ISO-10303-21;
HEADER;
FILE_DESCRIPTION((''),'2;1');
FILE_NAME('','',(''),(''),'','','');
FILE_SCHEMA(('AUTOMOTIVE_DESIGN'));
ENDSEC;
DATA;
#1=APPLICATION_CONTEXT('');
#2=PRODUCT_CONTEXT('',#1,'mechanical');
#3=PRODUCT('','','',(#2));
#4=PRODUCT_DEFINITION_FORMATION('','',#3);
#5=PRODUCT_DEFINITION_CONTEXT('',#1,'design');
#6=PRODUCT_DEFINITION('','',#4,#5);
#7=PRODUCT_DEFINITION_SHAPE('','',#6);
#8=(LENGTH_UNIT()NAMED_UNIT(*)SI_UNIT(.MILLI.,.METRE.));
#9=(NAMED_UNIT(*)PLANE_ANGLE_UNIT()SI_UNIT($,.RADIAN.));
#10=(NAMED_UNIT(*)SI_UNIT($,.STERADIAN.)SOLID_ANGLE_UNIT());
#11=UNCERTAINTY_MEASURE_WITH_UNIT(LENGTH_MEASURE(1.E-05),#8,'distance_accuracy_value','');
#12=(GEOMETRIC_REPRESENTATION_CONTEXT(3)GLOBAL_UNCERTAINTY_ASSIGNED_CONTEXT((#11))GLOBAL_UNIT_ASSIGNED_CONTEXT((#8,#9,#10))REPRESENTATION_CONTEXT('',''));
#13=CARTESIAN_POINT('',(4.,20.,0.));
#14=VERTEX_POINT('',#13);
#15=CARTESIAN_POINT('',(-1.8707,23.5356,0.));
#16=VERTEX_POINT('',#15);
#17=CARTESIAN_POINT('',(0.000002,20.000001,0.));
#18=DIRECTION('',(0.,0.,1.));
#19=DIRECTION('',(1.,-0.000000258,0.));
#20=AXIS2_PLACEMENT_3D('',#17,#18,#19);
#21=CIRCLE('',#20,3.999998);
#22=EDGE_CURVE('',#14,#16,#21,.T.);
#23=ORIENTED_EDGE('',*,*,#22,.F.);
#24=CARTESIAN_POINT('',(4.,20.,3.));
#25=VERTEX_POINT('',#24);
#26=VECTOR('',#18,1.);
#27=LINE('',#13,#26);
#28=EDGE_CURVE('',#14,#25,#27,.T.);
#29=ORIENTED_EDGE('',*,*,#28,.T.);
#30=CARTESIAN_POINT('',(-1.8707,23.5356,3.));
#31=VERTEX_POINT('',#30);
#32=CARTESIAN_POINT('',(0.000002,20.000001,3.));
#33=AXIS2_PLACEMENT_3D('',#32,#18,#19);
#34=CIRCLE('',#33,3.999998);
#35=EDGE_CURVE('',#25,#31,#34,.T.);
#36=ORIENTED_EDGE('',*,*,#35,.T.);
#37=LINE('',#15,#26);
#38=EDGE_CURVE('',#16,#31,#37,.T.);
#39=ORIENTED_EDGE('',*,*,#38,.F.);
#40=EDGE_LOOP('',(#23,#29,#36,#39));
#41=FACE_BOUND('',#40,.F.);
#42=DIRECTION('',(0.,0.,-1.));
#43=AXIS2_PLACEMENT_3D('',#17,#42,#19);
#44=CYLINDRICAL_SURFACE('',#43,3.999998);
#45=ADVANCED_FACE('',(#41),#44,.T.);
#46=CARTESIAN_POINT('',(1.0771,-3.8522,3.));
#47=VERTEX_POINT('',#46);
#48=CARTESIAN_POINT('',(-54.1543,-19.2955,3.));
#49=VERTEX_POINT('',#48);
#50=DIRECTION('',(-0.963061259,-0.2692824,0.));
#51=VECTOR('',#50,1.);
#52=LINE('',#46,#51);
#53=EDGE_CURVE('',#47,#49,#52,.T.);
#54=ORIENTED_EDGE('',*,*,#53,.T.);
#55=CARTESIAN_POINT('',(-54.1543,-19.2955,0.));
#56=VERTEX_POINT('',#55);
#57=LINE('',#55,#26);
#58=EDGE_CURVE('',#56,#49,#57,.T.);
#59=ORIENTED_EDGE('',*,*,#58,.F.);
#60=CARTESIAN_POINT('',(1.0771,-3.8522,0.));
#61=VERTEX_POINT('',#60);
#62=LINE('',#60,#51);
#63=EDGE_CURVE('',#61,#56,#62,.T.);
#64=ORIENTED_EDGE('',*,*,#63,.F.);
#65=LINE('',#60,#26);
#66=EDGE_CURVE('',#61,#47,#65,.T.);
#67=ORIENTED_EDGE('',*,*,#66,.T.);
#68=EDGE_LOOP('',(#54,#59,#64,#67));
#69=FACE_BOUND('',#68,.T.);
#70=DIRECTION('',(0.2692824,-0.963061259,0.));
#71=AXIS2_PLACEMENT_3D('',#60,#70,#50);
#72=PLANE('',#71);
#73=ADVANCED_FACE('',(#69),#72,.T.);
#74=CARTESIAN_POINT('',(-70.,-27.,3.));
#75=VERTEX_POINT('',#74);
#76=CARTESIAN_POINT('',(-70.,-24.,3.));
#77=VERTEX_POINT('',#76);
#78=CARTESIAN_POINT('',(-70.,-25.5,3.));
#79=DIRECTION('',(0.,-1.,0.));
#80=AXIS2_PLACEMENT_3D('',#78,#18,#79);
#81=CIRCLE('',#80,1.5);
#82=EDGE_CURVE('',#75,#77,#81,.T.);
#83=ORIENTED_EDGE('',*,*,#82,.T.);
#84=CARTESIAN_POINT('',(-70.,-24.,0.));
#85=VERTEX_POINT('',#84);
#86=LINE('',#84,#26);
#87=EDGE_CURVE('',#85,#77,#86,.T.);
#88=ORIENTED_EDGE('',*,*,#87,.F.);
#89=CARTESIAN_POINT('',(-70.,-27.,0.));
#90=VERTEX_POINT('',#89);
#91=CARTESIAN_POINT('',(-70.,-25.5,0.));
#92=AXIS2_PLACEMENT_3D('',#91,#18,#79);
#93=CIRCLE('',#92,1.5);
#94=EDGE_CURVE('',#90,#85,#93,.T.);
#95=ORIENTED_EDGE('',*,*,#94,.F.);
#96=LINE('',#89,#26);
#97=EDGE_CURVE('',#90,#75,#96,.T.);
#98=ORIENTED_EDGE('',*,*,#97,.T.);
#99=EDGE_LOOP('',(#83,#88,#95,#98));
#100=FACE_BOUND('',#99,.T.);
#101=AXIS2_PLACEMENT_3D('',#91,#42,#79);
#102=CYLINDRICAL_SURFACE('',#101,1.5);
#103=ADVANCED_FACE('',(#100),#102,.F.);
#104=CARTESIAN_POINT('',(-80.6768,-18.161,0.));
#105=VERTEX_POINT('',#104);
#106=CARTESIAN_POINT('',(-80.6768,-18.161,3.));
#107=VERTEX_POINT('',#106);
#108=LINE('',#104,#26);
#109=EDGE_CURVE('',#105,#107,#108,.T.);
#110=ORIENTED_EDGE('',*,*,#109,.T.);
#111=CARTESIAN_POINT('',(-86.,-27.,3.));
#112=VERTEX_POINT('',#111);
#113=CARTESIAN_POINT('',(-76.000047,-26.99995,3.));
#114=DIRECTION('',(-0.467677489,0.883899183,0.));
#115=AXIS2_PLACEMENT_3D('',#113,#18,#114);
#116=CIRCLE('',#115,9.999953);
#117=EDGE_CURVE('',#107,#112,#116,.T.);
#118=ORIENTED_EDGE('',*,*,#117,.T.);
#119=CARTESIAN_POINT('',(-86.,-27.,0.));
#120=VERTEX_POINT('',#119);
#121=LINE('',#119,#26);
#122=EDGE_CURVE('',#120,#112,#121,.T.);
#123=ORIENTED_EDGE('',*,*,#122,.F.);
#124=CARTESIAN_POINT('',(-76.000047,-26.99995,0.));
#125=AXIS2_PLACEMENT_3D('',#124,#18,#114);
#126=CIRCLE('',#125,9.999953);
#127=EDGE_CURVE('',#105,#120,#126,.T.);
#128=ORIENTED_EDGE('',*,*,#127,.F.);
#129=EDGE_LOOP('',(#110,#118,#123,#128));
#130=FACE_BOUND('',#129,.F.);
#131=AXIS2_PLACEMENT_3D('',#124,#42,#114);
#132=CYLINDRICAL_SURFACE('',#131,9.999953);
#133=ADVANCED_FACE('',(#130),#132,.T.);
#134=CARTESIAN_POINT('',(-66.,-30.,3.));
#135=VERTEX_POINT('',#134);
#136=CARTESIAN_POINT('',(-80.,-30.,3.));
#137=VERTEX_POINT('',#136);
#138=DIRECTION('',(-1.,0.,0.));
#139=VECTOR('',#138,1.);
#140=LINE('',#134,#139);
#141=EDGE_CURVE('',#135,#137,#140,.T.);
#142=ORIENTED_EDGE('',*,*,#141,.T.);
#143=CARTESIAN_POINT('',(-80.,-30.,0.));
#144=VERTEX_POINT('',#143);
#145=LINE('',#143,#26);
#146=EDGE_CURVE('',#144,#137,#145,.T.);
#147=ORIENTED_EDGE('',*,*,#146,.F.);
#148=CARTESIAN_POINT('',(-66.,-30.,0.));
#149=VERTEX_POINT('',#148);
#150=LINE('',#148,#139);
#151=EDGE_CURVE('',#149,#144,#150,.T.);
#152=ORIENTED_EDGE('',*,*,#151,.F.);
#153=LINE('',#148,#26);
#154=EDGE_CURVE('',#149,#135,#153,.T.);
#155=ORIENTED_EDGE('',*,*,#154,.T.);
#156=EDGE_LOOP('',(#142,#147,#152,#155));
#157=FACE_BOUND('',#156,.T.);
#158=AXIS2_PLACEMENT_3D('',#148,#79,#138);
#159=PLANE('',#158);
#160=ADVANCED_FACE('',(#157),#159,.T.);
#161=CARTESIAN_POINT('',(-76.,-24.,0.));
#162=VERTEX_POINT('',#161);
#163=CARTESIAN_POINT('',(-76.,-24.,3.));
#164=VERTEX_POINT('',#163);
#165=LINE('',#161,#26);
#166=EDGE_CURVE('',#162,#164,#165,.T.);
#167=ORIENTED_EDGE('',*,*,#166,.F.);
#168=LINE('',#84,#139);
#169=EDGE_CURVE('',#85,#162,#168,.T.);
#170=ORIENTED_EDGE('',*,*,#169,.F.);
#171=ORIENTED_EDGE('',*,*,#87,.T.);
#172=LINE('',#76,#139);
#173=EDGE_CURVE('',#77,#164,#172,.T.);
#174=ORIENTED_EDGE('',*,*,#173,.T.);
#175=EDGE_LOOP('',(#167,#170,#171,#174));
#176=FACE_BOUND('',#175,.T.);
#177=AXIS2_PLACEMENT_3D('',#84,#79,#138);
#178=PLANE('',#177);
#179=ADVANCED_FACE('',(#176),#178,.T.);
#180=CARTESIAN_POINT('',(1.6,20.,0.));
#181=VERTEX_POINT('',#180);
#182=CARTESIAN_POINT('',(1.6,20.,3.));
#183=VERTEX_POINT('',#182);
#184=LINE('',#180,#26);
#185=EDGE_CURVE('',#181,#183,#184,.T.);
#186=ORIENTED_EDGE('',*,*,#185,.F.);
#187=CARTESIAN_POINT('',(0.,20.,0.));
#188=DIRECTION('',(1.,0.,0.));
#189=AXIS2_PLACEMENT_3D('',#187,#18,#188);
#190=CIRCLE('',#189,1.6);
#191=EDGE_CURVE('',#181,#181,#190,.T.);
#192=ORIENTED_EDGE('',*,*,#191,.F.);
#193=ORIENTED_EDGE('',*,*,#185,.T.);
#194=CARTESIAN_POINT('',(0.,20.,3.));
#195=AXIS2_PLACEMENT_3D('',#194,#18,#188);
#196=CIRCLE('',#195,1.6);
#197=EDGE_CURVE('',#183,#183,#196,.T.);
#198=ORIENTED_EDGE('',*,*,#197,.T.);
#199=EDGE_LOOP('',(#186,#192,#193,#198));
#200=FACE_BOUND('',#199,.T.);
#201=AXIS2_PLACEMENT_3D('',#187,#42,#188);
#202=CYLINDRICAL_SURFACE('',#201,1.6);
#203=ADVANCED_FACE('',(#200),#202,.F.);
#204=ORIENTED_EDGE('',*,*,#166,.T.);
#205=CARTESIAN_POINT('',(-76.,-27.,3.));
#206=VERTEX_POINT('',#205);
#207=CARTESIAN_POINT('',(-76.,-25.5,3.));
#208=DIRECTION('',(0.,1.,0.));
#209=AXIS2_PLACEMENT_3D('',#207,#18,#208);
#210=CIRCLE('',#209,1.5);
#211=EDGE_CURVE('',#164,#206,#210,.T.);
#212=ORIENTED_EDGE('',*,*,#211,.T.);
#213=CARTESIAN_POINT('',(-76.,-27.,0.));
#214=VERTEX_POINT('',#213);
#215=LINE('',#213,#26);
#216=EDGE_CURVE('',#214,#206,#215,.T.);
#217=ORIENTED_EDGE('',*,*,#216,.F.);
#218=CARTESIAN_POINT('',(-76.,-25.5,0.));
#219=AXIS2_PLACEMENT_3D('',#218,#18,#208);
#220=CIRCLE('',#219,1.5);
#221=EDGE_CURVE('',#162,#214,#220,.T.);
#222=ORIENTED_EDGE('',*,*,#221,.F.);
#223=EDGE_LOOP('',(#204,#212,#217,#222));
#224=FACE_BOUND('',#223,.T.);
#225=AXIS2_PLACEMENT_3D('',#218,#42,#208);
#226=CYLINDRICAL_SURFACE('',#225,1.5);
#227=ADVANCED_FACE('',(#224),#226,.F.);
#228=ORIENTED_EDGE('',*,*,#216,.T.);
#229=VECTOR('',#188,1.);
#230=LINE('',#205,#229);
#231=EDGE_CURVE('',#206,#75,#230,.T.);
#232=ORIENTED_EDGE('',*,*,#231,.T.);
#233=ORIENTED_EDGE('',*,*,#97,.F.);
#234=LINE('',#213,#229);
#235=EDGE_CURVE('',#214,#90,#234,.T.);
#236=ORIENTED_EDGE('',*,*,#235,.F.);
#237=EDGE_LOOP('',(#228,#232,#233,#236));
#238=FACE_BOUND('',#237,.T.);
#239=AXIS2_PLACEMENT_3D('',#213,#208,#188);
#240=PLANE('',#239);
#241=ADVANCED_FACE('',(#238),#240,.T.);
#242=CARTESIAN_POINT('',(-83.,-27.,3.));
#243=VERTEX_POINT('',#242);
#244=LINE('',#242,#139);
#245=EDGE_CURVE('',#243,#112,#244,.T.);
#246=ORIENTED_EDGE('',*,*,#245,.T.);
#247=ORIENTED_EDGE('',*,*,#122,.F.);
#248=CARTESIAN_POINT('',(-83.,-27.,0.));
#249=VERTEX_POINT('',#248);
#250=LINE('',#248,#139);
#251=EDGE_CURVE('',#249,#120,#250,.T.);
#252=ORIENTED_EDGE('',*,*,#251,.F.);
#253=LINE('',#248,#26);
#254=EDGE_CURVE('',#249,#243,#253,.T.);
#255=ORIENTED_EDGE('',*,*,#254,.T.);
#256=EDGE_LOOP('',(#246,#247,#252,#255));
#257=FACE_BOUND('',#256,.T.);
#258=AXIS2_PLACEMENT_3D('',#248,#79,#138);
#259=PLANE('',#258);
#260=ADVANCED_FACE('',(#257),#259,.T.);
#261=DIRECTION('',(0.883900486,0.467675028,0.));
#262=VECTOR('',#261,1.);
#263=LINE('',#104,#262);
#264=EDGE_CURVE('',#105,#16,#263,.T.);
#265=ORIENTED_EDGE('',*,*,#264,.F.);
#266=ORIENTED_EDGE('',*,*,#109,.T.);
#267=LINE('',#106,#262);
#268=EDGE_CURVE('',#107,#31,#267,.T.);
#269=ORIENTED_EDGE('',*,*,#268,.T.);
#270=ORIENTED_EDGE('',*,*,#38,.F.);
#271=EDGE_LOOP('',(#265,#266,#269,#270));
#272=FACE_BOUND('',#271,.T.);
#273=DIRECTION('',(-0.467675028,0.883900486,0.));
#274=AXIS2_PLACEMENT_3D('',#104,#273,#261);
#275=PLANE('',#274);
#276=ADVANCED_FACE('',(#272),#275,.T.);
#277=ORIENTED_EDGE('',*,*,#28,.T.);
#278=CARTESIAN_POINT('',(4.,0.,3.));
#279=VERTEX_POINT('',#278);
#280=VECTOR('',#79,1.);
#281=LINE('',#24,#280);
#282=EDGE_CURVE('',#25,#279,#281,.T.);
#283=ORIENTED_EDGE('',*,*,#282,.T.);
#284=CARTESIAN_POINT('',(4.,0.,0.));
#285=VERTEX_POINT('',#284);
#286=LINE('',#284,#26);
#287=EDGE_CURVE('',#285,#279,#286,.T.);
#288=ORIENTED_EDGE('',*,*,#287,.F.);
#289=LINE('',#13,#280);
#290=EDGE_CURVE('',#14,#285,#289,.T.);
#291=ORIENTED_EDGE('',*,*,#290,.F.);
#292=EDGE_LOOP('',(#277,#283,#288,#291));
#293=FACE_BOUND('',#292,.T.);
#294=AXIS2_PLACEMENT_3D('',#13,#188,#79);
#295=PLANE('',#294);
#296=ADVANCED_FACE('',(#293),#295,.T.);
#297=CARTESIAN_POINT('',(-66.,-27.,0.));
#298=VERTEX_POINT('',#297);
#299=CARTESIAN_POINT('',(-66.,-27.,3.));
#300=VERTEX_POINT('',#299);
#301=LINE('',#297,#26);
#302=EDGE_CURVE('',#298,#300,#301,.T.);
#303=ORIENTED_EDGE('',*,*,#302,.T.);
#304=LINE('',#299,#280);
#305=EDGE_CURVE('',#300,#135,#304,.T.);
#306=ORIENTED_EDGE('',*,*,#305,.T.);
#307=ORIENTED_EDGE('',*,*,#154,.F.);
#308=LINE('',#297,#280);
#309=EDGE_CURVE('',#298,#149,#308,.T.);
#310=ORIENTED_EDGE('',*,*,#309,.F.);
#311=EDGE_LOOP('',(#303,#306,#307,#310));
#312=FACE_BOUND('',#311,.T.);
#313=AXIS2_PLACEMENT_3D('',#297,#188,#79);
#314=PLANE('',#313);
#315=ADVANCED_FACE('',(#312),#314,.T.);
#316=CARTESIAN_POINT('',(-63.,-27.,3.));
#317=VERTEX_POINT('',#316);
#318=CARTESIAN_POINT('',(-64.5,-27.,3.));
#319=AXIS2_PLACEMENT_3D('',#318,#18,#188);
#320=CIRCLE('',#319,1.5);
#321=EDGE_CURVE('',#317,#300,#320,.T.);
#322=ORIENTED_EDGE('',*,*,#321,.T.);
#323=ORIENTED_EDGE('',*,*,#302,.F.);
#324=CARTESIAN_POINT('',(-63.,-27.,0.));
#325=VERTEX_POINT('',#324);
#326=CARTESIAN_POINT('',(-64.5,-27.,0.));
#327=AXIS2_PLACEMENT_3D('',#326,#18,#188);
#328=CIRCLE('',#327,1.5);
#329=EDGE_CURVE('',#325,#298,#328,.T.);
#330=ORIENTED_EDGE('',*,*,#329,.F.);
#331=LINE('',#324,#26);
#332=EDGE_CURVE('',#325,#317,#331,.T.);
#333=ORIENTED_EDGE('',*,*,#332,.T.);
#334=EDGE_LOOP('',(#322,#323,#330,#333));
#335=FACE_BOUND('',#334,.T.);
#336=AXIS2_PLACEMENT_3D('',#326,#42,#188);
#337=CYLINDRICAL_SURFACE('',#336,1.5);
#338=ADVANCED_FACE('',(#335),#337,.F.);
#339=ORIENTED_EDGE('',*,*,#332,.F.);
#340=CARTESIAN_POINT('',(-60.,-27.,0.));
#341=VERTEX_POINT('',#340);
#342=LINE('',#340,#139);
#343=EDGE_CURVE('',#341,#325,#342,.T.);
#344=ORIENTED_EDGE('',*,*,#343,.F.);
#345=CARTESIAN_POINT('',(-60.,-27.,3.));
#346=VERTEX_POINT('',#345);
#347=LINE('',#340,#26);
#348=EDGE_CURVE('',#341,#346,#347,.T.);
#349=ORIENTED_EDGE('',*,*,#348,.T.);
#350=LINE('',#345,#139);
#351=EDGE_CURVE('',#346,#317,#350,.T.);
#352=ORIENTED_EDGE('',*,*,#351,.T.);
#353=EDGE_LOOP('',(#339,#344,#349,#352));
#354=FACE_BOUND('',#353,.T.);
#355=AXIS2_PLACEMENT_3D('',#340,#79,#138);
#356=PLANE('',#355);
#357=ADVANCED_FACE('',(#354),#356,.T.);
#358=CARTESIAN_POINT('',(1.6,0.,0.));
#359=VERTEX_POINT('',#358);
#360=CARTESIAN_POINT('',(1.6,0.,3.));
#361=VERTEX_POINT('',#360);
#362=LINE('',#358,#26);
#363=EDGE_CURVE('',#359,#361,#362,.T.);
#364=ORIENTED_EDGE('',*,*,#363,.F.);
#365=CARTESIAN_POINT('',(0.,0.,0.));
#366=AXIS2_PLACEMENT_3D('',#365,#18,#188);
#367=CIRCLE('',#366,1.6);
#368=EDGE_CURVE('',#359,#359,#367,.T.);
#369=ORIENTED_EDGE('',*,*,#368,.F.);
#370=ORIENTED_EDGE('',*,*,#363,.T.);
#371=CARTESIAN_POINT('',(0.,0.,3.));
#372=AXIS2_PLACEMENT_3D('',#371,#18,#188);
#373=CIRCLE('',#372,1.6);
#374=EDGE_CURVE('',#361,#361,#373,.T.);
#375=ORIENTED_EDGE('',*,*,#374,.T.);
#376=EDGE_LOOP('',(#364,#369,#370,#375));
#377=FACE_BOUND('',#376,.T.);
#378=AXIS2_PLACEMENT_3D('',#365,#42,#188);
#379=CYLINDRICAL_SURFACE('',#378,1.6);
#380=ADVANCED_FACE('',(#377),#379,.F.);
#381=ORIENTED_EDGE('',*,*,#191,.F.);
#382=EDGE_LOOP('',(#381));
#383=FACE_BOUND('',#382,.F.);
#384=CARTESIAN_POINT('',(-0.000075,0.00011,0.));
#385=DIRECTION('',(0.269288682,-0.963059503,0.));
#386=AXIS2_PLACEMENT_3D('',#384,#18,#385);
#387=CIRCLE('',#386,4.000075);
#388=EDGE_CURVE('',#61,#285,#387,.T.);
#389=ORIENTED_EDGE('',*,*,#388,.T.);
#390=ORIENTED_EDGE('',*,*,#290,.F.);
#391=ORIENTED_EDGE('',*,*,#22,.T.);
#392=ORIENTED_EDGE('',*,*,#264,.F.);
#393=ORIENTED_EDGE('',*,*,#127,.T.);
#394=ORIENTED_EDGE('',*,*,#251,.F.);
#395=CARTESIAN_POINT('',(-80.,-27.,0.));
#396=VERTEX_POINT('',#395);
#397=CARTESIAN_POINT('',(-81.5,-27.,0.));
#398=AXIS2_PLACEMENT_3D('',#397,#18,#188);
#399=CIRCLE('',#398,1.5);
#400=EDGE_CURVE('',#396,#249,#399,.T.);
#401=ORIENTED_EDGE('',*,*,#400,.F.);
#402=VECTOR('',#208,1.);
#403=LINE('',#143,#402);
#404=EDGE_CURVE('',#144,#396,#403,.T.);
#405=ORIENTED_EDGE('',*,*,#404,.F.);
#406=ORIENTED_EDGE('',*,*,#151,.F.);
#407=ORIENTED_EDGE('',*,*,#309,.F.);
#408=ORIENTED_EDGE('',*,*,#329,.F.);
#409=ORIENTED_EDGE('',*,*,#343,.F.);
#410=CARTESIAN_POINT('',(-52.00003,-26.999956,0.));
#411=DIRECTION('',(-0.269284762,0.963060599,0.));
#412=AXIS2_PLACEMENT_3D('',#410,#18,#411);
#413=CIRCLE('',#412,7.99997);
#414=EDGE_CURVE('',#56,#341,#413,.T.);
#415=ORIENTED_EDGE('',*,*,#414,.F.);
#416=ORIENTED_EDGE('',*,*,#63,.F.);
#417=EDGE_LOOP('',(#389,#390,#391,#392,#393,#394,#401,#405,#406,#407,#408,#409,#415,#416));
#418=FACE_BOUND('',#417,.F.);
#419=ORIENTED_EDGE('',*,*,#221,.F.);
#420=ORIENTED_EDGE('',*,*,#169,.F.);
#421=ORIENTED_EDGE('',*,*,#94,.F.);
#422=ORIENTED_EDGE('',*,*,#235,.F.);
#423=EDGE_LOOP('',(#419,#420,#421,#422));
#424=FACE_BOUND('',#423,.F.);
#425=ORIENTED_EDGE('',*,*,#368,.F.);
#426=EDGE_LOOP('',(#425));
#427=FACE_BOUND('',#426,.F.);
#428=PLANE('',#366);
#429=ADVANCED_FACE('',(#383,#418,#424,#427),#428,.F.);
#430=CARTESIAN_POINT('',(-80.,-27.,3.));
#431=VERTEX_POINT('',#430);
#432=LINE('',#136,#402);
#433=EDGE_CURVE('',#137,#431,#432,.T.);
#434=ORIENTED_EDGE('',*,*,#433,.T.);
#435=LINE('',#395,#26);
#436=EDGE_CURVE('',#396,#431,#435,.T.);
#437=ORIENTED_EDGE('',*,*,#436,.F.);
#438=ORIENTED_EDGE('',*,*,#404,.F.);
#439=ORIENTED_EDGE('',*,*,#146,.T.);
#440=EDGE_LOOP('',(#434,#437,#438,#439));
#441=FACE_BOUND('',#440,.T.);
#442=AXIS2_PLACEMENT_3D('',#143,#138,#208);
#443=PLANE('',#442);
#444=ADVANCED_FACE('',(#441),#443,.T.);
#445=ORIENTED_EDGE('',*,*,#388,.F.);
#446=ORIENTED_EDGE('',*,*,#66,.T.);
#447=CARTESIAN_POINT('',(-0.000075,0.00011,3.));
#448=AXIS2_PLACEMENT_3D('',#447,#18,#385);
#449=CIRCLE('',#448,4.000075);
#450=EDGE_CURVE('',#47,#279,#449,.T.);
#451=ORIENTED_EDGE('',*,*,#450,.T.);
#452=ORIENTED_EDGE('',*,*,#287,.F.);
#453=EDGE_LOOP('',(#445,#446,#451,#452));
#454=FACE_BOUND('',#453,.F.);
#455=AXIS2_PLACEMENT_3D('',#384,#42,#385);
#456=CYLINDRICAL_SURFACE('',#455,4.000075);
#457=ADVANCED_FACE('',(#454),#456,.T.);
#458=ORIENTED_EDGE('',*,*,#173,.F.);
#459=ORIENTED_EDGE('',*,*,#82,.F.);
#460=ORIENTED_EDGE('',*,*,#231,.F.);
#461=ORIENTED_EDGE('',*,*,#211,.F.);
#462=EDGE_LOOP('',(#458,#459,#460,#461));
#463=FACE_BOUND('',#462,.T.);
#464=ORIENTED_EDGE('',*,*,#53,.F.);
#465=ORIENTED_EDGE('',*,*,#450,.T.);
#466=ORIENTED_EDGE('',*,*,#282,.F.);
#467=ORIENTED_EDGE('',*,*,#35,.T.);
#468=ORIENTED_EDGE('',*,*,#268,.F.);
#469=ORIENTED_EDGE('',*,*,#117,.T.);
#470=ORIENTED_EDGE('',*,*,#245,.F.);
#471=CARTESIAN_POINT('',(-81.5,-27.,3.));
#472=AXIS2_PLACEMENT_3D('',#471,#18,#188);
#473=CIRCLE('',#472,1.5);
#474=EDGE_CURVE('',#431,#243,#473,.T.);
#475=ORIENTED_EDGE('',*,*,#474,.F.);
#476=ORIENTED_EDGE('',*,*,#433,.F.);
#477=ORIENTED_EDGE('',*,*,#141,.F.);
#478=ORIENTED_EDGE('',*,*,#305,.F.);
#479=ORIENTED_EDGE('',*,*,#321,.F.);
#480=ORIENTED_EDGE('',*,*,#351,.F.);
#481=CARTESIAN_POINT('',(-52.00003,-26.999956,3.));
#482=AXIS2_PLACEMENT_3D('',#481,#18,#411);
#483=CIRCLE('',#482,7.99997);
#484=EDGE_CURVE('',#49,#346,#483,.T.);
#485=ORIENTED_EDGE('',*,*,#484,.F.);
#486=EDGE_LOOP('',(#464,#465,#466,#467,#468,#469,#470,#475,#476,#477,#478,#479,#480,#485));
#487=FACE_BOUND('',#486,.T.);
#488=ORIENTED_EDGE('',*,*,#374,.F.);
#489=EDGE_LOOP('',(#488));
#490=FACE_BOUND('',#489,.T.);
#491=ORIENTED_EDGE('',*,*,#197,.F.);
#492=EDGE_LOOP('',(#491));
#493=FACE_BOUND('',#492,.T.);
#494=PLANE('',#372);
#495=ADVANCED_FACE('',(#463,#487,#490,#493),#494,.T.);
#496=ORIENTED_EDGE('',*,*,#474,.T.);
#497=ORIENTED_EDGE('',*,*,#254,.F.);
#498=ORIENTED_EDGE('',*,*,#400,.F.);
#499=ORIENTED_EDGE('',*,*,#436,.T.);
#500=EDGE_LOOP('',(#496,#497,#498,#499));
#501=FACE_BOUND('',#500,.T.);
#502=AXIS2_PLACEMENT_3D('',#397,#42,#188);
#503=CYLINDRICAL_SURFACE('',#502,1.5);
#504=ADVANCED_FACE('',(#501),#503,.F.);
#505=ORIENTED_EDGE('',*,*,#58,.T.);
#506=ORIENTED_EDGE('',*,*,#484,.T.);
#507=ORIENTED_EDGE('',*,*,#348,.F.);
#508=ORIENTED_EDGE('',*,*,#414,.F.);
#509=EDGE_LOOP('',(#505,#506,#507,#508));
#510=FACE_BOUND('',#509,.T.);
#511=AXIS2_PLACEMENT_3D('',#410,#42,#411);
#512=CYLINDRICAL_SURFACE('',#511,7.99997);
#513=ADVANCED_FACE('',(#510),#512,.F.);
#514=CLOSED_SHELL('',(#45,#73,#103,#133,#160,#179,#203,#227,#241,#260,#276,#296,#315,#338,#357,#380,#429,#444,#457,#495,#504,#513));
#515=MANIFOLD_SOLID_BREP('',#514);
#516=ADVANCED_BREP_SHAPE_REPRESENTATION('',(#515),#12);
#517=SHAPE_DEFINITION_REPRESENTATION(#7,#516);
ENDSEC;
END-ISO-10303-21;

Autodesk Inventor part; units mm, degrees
ref_plane "YZ Plane" through (0, 0, 0) normal (1, 0, 0) x (0, 1, 0)
ref_plane "XZ Plane" through (0, 0, 0) normal (0, 1, 0) x (-1, 0, 0)
ref_plane "XY Plane" through (0, 0, 0) normal (0, 0, 1) x (1, 0, 0)
sketch "スケッチ1" plane through (0, 0, 0) normal (0, 0, 1) x (1, 0, 0)
  line L0 (1.0771, -3.8522) -> (-54.1543, -19.2955)
  line L1 (-60, -27) -> (-63, -27)
  arc A0 (-63, -27) -> (-66, -27) centre (-64.5, -27) ccw
  line L2 (-66, -27) -> (-66, -30)
  line L3 (-66, -30) -> (-80, -30)
  line L4 (-80, -30) -> (-80, -27)
  arc A1 (-80, -27) -> (-83, -27) centre (-81.5, -27) ccw
  line L5 (-83, -27) -> (-86, -27)
  arc A2 (-80.6768, -18.161) -> (-86, -27) centre (-76, -27) ccw
  line L6 (-80.6768, -18.161) -> (-1.8707, 23.5356)
  line L7 (4, 20) -> (4, 0)
  line L8 (-76, -25.5) -> (-70, -25.5) construction
  line L9 (-76, -27) -> (-70, -27)
  line L10 (-70, -24) -> (-76, -24)
  arc A3 (-76, -24) -> (-76, -27) centre (-76, -25.5) ccw
  arc A4 (-70, -27) -> (-70, -24) centre (-70, -25.5) ccw
  circle A5 centre (0, 0) radius 1.6
  circle A6 centre (0, 20) radius 1.6
  arc A7 (1.0771, -3.8522) -> (4, 0) centre (0, 0) ccw
  arc A8 (4, 20) -> (-1.8707, 23.5356) centre (0, 20) ccw
  arc A9 (-54.1543, -19.2955) -> (-60, -27) centre (-52, -27) ccw
  point P0 (-73, -25.5)
  point P1 (-73, -30)
  dimension "d0" = 3
  dimension "d1" = 6
  dimension "d2" = 14
  dimension "d3" = 1.5
  dimension "d4" = 3
  dimension "d5" = 1.5
  dimension "d6" = 3
  dimension "d9" = 3.2
  dimension "d10" = 3.2
  dimension "d13" = 4
  dimension "d14" = 20
  dimension "d15" = 30
  dimension "d16" = 10
  dimension "d19" = 8
  dimension "d20" = 60
extrude "押し出し1" add sketch "スケッチ1" along normal blind 3
equation "\"d6\" = d0"
properties part number "BaseSliderSupport"
